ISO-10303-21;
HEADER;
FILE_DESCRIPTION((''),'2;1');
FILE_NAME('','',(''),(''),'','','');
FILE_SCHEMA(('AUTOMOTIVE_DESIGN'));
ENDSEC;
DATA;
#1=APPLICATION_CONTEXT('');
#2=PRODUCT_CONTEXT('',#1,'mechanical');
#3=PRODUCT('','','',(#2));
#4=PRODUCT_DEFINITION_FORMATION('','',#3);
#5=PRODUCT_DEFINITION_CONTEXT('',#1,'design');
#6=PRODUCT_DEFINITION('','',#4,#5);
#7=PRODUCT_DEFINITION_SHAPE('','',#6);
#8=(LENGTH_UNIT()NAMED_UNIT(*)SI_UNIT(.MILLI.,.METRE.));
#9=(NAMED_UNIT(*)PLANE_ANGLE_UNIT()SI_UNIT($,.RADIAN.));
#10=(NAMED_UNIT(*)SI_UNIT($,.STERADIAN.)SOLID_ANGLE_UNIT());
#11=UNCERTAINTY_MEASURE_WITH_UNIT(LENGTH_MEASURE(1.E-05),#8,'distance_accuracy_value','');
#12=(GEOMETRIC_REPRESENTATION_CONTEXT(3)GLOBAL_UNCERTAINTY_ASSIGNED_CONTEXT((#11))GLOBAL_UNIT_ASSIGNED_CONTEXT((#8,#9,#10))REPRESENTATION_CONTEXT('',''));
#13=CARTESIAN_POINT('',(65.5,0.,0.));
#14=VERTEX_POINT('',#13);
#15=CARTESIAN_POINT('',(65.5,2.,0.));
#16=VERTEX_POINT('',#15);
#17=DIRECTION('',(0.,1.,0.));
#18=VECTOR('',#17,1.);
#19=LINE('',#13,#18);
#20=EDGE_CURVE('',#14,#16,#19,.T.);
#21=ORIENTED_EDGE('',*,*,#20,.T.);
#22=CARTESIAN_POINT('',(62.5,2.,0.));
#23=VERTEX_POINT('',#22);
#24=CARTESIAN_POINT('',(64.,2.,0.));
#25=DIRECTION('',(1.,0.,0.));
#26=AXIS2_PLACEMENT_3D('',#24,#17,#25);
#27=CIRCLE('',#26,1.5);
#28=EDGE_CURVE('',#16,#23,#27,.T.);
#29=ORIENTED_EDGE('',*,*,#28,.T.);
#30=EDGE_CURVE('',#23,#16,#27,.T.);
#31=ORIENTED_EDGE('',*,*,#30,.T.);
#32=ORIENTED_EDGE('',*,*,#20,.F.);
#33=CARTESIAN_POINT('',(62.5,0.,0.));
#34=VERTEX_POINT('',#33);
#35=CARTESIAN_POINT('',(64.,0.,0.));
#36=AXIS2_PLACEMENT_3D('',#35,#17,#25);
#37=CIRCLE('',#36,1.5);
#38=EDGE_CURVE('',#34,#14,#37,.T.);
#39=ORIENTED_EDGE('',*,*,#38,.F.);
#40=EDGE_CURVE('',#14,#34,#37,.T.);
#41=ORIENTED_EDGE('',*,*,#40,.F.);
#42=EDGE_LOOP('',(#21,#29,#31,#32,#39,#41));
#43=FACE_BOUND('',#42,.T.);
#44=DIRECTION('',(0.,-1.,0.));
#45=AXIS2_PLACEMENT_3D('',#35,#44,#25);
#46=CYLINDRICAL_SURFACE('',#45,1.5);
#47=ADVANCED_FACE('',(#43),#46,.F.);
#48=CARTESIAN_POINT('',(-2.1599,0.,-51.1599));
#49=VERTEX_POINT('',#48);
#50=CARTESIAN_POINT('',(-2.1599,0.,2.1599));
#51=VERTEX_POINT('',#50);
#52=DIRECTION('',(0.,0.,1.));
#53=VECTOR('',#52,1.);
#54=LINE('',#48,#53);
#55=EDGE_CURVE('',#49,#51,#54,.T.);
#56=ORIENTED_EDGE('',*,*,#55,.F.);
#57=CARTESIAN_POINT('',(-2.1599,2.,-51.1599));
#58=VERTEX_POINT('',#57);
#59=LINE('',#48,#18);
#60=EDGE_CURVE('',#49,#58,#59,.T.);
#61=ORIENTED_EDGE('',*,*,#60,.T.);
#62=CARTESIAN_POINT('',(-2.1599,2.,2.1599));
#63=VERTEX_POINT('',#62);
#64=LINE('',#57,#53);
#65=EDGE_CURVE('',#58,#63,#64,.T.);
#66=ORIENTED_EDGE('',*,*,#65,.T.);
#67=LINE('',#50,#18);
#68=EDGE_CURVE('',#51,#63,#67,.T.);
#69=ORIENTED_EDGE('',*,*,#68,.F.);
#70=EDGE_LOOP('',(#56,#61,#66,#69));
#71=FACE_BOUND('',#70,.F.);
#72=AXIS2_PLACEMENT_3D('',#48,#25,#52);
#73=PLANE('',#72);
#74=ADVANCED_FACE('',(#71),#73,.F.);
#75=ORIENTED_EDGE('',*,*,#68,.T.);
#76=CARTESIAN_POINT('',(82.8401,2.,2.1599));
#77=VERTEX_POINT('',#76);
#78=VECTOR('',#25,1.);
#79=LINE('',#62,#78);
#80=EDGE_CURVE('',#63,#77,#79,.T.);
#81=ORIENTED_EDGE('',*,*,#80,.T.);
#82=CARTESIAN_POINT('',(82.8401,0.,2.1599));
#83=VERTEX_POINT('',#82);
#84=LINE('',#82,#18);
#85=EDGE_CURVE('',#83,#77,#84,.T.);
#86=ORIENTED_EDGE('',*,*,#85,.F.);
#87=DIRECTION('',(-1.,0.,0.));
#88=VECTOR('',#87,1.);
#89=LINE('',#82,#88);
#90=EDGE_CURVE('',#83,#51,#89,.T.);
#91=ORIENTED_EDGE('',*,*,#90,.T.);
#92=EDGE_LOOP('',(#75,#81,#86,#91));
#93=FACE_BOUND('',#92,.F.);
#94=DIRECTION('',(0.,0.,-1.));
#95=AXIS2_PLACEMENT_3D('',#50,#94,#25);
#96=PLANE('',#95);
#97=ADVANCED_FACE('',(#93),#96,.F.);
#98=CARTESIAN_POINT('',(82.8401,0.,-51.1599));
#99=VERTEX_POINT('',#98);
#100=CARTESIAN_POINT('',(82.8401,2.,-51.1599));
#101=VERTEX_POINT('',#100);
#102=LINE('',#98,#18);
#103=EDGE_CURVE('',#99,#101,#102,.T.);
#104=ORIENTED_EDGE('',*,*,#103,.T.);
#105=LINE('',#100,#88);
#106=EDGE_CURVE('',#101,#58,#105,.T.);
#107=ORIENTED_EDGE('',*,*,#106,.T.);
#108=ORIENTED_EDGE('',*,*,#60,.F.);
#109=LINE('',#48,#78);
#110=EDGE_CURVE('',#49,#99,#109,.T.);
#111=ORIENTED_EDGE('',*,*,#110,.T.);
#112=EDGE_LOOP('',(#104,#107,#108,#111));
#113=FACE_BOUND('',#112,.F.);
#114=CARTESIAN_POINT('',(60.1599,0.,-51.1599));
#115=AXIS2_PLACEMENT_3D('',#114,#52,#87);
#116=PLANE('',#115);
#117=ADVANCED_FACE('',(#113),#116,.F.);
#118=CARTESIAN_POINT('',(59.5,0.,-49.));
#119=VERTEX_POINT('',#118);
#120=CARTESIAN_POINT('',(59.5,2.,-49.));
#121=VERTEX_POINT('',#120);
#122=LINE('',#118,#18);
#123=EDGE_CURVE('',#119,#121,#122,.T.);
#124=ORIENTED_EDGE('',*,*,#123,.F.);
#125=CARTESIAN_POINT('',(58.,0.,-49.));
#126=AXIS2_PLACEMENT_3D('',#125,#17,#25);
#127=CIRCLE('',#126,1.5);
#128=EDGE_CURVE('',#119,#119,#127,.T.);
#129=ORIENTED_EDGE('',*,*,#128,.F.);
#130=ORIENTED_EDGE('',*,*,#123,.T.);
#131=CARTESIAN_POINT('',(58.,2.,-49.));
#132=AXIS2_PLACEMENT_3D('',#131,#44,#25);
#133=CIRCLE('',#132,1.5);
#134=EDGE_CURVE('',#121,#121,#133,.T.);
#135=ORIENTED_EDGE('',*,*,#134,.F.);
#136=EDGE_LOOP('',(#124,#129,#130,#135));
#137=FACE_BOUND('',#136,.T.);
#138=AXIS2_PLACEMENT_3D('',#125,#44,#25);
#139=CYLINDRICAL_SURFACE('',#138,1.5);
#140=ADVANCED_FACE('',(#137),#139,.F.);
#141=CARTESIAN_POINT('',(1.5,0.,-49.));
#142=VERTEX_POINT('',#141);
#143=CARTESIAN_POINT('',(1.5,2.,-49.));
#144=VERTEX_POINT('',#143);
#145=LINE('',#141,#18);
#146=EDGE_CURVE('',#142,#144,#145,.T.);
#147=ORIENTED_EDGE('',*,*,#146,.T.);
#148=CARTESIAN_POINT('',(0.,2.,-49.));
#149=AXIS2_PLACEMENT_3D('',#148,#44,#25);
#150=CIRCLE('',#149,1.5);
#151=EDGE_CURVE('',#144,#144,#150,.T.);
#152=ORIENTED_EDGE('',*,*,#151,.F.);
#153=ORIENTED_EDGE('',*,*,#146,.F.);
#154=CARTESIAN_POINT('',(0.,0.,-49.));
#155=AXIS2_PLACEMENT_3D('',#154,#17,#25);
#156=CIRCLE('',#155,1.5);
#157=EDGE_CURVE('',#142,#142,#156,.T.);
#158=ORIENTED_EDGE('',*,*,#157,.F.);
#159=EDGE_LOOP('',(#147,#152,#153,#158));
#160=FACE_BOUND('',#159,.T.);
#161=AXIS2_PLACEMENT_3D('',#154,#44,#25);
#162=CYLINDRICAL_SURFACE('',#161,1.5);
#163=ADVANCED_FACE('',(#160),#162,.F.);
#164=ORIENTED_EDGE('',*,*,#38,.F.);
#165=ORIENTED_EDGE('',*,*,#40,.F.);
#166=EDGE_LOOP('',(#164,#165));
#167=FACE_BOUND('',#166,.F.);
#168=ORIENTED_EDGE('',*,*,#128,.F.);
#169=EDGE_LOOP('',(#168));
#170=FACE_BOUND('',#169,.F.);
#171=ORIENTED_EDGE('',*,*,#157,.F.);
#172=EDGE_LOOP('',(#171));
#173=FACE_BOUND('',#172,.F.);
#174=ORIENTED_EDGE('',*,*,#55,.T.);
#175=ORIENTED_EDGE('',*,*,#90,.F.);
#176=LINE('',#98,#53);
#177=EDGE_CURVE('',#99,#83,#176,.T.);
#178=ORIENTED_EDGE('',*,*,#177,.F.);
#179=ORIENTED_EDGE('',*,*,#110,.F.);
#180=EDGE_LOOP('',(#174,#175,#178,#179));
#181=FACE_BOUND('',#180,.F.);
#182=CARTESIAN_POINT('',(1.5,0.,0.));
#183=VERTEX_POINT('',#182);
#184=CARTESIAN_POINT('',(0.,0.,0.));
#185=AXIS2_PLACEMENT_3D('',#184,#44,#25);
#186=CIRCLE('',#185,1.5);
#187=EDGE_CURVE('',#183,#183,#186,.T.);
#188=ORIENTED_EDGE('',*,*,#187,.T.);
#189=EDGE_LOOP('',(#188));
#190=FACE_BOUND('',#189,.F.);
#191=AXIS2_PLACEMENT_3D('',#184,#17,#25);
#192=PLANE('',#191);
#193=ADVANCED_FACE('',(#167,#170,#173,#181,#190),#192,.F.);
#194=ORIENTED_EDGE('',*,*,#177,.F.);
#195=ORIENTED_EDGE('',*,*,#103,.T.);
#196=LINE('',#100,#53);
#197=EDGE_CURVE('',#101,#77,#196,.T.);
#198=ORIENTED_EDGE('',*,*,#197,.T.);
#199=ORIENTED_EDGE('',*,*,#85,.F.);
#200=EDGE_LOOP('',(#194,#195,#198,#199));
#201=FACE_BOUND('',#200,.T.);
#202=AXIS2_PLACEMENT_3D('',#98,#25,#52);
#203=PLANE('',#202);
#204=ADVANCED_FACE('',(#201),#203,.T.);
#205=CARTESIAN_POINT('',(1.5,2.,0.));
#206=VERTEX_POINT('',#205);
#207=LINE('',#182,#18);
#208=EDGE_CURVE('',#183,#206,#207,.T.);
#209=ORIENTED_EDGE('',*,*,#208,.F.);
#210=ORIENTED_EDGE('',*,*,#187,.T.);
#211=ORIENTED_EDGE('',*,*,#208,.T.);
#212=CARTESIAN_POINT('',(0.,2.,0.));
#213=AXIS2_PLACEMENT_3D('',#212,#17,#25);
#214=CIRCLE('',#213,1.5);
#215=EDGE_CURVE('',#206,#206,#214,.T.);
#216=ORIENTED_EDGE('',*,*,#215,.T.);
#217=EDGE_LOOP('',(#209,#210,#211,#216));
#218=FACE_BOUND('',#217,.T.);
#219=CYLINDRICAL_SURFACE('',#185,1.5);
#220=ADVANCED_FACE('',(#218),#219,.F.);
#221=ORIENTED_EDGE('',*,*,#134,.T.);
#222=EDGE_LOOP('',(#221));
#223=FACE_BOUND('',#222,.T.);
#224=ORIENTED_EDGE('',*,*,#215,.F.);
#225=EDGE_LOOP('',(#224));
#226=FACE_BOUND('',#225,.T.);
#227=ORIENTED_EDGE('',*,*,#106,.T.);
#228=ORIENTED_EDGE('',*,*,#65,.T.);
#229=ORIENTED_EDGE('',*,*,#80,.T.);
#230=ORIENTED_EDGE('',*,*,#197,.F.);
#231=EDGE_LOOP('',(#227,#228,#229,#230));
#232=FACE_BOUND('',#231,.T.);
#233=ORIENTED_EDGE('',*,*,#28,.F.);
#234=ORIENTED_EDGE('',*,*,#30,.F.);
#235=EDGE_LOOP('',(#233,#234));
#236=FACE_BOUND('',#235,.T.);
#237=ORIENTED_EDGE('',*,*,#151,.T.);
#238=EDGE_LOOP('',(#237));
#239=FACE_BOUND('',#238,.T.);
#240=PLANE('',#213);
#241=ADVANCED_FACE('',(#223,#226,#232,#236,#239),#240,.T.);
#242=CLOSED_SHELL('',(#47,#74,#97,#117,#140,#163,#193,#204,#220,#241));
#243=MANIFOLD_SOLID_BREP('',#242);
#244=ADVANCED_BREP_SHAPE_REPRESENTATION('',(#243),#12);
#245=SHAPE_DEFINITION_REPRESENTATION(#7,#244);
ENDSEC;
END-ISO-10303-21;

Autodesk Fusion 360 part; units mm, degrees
sketch "Sketch1" plane through (0, 0, 0) normal (0, 1, 0) x (1, 0, 0)
  line L0 (0, 0) -> (58, 0)
  line L1 (58, 0) -> (58, 49)
  line L2 (58, 49) -> (0, 49)
  line L3 (0, 49) -> (0, 0)
  line L4 (58, 0) -> (64, 0)
  circle A0 centre (0, 49) radius 1.5
  circle A1 centre (0, 0) radius 1.5
  circle A2 centre (64, 0) radius 1.5
  circle A3 centre (58, 49) radius 1.5
  line L5 (60.1599, -2.1599) -> (60.1599, 51.1599)
  line L6 (60.1599, 51.1599) -> (-2.1599, 51.1599)
  line L7 (-2.1599, 51.1599) -> (-2.1599, -2.1599)
  line L8 (-2.1599, -2.1599) -> (60.1599, -2.1599)
  line L9 (60.1599, 51.1599) -> (82.8401, 51.1599)
  line L10 (82.8401, 51.1599) -> (82.8401, -2.1599)
  line L11 (82.8401, -2.1599) -> (60.1599, -2.1599)
  line L12 (60.1599, -2.1599) -> (60.1599, 51.1599)
  dimension "d1" = 58
  dimension "d2" = 3
  dimension "d3" = 49
  dimension "d4" = 64
  dimension "d5" = 2.1599
  dimension "d6" = 85
extrude "Extrude1" add sketch "Sketch1" along normal blind 2 contours L0 L1 L2 L3 A0 A1 A3 | L5 L6 L7 L8 L12 | L5 L9 L10 L11 L12
